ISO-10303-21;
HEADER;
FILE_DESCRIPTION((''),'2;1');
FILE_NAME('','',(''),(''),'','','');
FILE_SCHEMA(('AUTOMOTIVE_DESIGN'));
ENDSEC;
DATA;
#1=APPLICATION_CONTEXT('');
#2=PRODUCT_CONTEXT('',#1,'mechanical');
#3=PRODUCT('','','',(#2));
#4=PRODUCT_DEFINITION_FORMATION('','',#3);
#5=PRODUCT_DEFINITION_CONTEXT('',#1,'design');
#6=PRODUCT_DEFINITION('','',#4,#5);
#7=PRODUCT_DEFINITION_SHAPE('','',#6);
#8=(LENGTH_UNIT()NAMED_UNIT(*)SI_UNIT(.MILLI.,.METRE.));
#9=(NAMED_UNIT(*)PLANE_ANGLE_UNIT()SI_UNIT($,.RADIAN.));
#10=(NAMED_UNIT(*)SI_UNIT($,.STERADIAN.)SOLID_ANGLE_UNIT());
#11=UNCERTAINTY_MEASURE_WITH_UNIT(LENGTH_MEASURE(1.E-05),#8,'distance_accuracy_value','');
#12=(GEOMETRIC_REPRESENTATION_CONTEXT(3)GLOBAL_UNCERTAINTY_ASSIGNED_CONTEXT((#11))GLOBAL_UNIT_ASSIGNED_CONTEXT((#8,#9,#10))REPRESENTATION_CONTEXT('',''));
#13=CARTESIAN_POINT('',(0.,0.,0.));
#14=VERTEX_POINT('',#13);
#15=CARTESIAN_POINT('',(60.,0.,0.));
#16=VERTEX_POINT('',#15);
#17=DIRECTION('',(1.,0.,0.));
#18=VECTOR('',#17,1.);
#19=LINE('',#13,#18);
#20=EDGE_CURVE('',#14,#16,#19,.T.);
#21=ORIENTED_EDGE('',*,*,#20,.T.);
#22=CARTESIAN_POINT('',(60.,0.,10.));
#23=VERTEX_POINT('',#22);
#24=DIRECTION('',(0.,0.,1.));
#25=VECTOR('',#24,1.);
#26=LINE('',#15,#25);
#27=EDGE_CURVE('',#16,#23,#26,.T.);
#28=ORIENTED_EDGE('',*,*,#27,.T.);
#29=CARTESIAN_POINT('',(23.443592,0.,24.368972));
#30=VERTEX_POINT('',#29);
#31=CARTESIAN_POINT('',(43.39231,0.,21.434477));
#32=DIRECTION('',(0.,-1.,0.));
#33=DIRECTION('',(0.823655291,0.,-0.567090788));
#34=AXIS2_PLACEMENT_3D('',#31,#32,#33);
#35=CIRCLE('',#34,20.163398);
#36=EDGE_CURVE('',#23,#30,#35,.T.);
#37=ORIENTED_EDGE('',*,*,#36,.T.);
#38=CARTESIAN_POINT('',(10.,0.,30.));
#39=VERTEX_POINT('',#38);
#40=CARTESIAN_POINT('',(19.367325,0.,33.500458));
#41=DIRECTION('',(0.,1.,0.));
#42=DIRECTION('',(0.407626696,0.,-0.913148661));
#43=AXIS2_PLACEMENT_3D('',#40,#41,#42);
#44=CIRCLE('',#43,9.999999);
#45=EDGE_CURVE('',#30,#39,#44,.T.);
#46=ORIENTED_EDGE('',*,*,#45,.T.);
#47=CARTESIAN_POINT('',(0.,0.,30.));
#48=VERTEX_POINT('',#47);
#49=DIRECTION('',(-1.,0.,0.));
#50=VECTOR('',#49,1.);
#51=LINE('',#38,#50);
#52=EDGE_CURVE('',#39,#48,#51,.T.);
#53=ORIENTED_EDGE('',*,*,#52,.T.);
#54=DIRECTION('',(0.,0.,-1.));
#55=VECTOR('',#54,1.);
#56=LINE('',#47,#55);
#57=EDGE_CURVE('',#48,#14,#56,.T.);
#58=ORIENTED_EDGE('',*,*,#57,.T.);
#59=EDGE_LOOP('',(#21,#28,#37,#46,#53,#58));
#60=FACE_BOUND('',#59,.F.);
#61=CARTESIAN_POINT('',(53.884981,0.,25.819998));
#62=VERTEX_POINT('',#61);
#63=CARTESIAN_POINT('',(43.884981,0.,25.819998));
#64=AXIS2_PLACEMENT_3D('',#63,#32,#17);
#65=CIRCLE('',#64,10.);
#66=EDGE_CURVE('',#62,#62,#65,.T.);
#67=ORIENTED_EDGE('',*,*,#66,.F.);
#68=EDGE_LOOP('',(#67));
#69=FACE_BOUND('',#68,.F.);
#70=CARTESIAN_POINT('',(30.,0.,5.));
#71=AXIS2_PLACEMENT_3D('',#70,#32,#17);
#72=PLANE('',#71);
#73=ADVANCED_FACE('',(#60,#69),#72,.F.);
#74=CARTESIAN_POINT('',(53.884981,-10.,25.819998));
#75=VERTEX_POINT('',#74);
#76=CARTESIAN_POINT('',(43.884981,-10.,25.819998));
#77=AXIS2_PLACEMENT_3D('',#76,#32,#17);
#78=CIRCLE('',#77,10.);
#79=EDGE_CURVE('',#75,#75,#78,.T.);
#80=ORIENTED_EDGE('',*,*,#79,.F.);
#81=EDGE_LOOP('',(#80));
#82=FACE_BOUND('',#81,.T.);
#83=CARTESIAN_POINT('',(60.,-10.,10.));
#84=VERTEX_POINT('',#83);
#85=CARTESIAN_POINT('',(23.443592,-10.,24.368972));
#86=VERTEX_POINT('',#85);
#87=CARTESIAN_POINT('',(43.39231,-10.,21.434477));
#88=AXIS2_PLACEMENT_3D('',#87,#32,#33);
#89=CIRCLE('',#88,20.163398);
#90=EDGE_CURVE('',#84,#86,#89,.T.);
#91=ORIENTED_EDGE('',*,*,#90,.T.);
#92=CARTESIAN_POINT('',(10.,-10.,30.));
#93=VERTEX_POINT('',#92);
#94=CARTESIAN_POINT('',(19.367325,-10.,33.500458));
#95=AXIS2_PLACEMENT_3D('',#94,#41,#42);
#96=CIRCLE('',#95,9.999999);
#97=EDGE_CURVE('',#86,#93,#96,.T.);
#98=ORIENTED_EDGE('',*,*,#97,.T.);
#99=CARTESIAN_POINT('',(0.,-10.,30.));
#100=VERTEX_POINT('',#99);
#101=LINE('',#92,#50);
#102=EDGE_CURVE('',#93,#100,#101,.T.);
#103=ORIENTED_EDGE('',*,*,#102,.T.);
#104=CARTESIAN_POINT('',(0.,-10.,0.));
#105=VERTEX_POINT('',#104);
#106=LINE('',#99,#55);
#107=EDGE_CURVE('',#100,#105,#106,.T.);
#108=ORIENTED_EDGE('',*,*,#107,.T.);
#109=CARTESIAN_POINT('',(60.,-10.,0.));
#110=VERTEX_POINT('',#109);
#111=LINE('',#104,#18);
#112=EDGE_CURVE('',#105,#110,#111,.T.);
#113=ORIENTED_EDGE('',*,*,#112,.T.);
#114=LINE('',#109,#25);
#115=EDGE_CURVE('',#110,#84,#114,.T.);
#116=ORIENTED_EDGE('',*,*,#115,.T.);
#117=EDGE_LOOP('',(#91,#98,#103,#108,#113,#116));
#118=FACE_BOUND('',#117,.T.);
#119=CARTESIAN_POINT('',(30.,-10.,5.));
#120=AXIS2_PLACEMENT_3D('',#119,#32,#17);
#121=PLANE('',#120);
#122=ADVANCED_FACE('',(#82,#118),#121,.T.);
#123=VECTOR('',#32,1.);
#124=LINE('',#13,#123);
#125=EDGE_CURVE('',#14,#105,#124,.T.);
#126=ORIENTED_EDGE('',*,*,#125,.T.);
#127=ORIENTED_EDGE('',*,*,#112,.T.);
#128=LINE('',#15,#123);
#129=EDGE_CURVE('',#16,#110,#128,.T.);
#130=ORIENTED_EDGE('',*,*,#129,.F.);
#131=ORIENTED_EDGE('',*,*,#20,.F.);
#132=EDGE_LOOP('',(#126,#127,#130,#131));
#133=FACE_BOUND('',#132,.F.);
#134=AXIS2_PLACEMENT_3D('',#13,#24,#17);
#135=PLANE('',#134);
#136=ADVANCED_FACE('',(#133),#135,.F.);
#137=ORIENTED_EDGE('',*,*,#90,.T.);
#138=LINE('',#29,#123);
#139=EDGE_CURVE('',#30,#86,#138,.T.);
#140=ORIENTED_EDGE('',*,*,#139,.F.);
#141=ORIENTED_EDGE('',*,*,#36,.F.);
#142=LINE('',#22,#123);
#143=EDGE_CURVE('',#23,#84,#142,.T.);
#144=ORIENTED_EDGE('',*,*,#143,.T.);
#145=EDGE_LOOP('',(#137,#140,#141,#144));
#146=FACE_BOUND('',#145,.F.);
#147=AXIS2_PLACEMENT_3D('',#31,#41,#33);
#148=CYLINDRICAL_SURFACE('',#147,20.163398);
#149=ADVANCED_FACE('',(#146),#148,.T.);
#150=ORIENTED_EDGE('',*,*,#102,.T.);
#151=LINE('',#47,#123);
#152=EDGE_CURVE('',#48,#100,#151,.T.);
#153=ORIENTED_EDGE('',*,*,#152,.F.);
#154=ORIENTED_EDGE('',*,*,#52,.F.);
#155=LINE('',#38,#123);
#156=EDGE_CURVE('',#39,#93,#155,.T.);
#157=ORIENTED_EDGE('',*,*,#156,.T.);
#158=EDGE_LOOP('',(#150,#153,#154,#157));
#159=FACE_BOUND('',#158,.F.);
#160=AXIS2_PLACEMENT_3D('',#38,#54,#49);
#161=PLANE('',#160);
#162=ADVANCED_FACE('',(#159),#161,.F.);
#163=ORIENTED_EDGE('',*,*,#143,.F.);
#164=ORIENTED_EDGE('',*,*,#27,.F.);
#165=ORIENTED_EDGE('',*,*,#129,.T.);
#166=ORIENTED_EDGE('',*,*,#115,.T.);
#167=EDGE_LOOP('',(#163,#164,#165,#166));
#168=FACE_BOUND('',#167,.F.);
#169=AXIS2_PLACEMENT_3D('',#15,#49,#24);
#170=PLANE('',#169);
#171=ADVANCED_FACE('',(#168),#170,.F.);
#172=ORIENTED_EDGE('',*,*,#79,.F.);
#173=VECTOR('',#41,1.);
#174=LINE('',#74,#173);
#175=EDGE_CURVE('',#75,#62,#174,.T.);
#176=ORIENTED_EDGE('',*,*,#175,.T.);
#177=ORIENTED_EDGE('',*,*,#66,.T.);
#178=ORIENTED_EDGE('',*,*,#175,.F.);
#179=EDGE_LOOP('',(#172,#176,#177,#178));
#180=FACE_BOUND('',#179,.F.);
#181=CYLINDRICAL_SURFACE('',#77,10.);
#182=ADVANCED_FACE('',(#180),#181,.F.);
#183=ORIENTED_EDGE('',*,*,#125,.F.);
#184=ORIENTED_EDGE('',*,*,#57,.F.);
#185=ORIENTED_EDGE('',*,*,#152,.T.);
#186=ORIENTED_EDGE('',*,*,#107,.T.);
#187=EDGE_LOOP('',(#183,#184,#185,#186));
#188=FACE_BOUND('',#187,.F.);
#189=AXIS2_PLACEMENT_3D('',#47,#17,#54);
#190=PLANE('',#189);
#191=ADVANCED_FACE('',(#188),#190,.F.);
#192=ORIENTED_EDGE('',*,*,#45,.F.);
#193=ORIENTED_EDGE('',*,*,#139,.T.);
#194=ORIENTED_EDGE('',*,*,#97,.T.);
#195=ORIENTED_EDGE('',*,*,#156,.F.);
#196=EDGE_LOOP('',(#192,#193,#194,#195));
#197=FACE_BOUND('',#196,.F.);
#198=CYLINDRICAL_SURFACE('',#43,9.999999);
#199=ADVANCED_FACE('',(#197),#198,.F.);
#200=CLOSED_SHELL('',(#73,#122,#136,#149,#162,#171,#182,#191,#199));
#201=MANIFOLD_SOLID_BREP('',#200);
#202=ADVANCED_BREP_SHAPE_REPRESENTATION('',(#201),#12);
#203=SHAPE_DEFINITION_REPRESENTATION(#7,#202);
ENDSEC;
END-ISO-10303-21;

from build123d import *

# Parameters (mm, degrees)
F1_DEPTH = 10
F2_R     = 10
F3_DEPTH = 10


with BuildPart() as f1:
    # F0 (on Front) → F1 (new body)
    with BuildSketch(Plane.XZ):
        Polygon((0, 10), (0, 0), (60, 0), (60, 10), (26.784621, 10), align=None)
        with BuildLine():
            ThreePointArc((23.443592, 24.368972), (23.75282, 16.867964), (26.784621, 10))
            Line((26.784621, 10), (60, 10))
            ThreePointArc((60, 10), (50.768452, 40.200275), (23.443592, 24.368972))
        make_face()
        with BuildLine():
            Line((0, 30), (0, 10))
            Line((0, 10), (26.784621, 10))
            ThreePointArc((26.784621, 10), (23.75282, 16.867964), (23.443592, 24.368972))
            ThreePointArc((23.443592, 24.368972), (15.503914, 24.276899), (10, 30))
            Line((10, 30), (0, 30))
        make_face()
    extrude(amount=F1_DEPTH)

    # F2 (on face) → F3 (cut)
    with BuildSketch(Plane.XZ.offset(10)):
        with Locations((43.884981, 25.819998)):
            Circle(F2_R)
    extrude(amount=-F3_DEPTH, mode=Mode.SUBTRACT)


solid = f1.part
